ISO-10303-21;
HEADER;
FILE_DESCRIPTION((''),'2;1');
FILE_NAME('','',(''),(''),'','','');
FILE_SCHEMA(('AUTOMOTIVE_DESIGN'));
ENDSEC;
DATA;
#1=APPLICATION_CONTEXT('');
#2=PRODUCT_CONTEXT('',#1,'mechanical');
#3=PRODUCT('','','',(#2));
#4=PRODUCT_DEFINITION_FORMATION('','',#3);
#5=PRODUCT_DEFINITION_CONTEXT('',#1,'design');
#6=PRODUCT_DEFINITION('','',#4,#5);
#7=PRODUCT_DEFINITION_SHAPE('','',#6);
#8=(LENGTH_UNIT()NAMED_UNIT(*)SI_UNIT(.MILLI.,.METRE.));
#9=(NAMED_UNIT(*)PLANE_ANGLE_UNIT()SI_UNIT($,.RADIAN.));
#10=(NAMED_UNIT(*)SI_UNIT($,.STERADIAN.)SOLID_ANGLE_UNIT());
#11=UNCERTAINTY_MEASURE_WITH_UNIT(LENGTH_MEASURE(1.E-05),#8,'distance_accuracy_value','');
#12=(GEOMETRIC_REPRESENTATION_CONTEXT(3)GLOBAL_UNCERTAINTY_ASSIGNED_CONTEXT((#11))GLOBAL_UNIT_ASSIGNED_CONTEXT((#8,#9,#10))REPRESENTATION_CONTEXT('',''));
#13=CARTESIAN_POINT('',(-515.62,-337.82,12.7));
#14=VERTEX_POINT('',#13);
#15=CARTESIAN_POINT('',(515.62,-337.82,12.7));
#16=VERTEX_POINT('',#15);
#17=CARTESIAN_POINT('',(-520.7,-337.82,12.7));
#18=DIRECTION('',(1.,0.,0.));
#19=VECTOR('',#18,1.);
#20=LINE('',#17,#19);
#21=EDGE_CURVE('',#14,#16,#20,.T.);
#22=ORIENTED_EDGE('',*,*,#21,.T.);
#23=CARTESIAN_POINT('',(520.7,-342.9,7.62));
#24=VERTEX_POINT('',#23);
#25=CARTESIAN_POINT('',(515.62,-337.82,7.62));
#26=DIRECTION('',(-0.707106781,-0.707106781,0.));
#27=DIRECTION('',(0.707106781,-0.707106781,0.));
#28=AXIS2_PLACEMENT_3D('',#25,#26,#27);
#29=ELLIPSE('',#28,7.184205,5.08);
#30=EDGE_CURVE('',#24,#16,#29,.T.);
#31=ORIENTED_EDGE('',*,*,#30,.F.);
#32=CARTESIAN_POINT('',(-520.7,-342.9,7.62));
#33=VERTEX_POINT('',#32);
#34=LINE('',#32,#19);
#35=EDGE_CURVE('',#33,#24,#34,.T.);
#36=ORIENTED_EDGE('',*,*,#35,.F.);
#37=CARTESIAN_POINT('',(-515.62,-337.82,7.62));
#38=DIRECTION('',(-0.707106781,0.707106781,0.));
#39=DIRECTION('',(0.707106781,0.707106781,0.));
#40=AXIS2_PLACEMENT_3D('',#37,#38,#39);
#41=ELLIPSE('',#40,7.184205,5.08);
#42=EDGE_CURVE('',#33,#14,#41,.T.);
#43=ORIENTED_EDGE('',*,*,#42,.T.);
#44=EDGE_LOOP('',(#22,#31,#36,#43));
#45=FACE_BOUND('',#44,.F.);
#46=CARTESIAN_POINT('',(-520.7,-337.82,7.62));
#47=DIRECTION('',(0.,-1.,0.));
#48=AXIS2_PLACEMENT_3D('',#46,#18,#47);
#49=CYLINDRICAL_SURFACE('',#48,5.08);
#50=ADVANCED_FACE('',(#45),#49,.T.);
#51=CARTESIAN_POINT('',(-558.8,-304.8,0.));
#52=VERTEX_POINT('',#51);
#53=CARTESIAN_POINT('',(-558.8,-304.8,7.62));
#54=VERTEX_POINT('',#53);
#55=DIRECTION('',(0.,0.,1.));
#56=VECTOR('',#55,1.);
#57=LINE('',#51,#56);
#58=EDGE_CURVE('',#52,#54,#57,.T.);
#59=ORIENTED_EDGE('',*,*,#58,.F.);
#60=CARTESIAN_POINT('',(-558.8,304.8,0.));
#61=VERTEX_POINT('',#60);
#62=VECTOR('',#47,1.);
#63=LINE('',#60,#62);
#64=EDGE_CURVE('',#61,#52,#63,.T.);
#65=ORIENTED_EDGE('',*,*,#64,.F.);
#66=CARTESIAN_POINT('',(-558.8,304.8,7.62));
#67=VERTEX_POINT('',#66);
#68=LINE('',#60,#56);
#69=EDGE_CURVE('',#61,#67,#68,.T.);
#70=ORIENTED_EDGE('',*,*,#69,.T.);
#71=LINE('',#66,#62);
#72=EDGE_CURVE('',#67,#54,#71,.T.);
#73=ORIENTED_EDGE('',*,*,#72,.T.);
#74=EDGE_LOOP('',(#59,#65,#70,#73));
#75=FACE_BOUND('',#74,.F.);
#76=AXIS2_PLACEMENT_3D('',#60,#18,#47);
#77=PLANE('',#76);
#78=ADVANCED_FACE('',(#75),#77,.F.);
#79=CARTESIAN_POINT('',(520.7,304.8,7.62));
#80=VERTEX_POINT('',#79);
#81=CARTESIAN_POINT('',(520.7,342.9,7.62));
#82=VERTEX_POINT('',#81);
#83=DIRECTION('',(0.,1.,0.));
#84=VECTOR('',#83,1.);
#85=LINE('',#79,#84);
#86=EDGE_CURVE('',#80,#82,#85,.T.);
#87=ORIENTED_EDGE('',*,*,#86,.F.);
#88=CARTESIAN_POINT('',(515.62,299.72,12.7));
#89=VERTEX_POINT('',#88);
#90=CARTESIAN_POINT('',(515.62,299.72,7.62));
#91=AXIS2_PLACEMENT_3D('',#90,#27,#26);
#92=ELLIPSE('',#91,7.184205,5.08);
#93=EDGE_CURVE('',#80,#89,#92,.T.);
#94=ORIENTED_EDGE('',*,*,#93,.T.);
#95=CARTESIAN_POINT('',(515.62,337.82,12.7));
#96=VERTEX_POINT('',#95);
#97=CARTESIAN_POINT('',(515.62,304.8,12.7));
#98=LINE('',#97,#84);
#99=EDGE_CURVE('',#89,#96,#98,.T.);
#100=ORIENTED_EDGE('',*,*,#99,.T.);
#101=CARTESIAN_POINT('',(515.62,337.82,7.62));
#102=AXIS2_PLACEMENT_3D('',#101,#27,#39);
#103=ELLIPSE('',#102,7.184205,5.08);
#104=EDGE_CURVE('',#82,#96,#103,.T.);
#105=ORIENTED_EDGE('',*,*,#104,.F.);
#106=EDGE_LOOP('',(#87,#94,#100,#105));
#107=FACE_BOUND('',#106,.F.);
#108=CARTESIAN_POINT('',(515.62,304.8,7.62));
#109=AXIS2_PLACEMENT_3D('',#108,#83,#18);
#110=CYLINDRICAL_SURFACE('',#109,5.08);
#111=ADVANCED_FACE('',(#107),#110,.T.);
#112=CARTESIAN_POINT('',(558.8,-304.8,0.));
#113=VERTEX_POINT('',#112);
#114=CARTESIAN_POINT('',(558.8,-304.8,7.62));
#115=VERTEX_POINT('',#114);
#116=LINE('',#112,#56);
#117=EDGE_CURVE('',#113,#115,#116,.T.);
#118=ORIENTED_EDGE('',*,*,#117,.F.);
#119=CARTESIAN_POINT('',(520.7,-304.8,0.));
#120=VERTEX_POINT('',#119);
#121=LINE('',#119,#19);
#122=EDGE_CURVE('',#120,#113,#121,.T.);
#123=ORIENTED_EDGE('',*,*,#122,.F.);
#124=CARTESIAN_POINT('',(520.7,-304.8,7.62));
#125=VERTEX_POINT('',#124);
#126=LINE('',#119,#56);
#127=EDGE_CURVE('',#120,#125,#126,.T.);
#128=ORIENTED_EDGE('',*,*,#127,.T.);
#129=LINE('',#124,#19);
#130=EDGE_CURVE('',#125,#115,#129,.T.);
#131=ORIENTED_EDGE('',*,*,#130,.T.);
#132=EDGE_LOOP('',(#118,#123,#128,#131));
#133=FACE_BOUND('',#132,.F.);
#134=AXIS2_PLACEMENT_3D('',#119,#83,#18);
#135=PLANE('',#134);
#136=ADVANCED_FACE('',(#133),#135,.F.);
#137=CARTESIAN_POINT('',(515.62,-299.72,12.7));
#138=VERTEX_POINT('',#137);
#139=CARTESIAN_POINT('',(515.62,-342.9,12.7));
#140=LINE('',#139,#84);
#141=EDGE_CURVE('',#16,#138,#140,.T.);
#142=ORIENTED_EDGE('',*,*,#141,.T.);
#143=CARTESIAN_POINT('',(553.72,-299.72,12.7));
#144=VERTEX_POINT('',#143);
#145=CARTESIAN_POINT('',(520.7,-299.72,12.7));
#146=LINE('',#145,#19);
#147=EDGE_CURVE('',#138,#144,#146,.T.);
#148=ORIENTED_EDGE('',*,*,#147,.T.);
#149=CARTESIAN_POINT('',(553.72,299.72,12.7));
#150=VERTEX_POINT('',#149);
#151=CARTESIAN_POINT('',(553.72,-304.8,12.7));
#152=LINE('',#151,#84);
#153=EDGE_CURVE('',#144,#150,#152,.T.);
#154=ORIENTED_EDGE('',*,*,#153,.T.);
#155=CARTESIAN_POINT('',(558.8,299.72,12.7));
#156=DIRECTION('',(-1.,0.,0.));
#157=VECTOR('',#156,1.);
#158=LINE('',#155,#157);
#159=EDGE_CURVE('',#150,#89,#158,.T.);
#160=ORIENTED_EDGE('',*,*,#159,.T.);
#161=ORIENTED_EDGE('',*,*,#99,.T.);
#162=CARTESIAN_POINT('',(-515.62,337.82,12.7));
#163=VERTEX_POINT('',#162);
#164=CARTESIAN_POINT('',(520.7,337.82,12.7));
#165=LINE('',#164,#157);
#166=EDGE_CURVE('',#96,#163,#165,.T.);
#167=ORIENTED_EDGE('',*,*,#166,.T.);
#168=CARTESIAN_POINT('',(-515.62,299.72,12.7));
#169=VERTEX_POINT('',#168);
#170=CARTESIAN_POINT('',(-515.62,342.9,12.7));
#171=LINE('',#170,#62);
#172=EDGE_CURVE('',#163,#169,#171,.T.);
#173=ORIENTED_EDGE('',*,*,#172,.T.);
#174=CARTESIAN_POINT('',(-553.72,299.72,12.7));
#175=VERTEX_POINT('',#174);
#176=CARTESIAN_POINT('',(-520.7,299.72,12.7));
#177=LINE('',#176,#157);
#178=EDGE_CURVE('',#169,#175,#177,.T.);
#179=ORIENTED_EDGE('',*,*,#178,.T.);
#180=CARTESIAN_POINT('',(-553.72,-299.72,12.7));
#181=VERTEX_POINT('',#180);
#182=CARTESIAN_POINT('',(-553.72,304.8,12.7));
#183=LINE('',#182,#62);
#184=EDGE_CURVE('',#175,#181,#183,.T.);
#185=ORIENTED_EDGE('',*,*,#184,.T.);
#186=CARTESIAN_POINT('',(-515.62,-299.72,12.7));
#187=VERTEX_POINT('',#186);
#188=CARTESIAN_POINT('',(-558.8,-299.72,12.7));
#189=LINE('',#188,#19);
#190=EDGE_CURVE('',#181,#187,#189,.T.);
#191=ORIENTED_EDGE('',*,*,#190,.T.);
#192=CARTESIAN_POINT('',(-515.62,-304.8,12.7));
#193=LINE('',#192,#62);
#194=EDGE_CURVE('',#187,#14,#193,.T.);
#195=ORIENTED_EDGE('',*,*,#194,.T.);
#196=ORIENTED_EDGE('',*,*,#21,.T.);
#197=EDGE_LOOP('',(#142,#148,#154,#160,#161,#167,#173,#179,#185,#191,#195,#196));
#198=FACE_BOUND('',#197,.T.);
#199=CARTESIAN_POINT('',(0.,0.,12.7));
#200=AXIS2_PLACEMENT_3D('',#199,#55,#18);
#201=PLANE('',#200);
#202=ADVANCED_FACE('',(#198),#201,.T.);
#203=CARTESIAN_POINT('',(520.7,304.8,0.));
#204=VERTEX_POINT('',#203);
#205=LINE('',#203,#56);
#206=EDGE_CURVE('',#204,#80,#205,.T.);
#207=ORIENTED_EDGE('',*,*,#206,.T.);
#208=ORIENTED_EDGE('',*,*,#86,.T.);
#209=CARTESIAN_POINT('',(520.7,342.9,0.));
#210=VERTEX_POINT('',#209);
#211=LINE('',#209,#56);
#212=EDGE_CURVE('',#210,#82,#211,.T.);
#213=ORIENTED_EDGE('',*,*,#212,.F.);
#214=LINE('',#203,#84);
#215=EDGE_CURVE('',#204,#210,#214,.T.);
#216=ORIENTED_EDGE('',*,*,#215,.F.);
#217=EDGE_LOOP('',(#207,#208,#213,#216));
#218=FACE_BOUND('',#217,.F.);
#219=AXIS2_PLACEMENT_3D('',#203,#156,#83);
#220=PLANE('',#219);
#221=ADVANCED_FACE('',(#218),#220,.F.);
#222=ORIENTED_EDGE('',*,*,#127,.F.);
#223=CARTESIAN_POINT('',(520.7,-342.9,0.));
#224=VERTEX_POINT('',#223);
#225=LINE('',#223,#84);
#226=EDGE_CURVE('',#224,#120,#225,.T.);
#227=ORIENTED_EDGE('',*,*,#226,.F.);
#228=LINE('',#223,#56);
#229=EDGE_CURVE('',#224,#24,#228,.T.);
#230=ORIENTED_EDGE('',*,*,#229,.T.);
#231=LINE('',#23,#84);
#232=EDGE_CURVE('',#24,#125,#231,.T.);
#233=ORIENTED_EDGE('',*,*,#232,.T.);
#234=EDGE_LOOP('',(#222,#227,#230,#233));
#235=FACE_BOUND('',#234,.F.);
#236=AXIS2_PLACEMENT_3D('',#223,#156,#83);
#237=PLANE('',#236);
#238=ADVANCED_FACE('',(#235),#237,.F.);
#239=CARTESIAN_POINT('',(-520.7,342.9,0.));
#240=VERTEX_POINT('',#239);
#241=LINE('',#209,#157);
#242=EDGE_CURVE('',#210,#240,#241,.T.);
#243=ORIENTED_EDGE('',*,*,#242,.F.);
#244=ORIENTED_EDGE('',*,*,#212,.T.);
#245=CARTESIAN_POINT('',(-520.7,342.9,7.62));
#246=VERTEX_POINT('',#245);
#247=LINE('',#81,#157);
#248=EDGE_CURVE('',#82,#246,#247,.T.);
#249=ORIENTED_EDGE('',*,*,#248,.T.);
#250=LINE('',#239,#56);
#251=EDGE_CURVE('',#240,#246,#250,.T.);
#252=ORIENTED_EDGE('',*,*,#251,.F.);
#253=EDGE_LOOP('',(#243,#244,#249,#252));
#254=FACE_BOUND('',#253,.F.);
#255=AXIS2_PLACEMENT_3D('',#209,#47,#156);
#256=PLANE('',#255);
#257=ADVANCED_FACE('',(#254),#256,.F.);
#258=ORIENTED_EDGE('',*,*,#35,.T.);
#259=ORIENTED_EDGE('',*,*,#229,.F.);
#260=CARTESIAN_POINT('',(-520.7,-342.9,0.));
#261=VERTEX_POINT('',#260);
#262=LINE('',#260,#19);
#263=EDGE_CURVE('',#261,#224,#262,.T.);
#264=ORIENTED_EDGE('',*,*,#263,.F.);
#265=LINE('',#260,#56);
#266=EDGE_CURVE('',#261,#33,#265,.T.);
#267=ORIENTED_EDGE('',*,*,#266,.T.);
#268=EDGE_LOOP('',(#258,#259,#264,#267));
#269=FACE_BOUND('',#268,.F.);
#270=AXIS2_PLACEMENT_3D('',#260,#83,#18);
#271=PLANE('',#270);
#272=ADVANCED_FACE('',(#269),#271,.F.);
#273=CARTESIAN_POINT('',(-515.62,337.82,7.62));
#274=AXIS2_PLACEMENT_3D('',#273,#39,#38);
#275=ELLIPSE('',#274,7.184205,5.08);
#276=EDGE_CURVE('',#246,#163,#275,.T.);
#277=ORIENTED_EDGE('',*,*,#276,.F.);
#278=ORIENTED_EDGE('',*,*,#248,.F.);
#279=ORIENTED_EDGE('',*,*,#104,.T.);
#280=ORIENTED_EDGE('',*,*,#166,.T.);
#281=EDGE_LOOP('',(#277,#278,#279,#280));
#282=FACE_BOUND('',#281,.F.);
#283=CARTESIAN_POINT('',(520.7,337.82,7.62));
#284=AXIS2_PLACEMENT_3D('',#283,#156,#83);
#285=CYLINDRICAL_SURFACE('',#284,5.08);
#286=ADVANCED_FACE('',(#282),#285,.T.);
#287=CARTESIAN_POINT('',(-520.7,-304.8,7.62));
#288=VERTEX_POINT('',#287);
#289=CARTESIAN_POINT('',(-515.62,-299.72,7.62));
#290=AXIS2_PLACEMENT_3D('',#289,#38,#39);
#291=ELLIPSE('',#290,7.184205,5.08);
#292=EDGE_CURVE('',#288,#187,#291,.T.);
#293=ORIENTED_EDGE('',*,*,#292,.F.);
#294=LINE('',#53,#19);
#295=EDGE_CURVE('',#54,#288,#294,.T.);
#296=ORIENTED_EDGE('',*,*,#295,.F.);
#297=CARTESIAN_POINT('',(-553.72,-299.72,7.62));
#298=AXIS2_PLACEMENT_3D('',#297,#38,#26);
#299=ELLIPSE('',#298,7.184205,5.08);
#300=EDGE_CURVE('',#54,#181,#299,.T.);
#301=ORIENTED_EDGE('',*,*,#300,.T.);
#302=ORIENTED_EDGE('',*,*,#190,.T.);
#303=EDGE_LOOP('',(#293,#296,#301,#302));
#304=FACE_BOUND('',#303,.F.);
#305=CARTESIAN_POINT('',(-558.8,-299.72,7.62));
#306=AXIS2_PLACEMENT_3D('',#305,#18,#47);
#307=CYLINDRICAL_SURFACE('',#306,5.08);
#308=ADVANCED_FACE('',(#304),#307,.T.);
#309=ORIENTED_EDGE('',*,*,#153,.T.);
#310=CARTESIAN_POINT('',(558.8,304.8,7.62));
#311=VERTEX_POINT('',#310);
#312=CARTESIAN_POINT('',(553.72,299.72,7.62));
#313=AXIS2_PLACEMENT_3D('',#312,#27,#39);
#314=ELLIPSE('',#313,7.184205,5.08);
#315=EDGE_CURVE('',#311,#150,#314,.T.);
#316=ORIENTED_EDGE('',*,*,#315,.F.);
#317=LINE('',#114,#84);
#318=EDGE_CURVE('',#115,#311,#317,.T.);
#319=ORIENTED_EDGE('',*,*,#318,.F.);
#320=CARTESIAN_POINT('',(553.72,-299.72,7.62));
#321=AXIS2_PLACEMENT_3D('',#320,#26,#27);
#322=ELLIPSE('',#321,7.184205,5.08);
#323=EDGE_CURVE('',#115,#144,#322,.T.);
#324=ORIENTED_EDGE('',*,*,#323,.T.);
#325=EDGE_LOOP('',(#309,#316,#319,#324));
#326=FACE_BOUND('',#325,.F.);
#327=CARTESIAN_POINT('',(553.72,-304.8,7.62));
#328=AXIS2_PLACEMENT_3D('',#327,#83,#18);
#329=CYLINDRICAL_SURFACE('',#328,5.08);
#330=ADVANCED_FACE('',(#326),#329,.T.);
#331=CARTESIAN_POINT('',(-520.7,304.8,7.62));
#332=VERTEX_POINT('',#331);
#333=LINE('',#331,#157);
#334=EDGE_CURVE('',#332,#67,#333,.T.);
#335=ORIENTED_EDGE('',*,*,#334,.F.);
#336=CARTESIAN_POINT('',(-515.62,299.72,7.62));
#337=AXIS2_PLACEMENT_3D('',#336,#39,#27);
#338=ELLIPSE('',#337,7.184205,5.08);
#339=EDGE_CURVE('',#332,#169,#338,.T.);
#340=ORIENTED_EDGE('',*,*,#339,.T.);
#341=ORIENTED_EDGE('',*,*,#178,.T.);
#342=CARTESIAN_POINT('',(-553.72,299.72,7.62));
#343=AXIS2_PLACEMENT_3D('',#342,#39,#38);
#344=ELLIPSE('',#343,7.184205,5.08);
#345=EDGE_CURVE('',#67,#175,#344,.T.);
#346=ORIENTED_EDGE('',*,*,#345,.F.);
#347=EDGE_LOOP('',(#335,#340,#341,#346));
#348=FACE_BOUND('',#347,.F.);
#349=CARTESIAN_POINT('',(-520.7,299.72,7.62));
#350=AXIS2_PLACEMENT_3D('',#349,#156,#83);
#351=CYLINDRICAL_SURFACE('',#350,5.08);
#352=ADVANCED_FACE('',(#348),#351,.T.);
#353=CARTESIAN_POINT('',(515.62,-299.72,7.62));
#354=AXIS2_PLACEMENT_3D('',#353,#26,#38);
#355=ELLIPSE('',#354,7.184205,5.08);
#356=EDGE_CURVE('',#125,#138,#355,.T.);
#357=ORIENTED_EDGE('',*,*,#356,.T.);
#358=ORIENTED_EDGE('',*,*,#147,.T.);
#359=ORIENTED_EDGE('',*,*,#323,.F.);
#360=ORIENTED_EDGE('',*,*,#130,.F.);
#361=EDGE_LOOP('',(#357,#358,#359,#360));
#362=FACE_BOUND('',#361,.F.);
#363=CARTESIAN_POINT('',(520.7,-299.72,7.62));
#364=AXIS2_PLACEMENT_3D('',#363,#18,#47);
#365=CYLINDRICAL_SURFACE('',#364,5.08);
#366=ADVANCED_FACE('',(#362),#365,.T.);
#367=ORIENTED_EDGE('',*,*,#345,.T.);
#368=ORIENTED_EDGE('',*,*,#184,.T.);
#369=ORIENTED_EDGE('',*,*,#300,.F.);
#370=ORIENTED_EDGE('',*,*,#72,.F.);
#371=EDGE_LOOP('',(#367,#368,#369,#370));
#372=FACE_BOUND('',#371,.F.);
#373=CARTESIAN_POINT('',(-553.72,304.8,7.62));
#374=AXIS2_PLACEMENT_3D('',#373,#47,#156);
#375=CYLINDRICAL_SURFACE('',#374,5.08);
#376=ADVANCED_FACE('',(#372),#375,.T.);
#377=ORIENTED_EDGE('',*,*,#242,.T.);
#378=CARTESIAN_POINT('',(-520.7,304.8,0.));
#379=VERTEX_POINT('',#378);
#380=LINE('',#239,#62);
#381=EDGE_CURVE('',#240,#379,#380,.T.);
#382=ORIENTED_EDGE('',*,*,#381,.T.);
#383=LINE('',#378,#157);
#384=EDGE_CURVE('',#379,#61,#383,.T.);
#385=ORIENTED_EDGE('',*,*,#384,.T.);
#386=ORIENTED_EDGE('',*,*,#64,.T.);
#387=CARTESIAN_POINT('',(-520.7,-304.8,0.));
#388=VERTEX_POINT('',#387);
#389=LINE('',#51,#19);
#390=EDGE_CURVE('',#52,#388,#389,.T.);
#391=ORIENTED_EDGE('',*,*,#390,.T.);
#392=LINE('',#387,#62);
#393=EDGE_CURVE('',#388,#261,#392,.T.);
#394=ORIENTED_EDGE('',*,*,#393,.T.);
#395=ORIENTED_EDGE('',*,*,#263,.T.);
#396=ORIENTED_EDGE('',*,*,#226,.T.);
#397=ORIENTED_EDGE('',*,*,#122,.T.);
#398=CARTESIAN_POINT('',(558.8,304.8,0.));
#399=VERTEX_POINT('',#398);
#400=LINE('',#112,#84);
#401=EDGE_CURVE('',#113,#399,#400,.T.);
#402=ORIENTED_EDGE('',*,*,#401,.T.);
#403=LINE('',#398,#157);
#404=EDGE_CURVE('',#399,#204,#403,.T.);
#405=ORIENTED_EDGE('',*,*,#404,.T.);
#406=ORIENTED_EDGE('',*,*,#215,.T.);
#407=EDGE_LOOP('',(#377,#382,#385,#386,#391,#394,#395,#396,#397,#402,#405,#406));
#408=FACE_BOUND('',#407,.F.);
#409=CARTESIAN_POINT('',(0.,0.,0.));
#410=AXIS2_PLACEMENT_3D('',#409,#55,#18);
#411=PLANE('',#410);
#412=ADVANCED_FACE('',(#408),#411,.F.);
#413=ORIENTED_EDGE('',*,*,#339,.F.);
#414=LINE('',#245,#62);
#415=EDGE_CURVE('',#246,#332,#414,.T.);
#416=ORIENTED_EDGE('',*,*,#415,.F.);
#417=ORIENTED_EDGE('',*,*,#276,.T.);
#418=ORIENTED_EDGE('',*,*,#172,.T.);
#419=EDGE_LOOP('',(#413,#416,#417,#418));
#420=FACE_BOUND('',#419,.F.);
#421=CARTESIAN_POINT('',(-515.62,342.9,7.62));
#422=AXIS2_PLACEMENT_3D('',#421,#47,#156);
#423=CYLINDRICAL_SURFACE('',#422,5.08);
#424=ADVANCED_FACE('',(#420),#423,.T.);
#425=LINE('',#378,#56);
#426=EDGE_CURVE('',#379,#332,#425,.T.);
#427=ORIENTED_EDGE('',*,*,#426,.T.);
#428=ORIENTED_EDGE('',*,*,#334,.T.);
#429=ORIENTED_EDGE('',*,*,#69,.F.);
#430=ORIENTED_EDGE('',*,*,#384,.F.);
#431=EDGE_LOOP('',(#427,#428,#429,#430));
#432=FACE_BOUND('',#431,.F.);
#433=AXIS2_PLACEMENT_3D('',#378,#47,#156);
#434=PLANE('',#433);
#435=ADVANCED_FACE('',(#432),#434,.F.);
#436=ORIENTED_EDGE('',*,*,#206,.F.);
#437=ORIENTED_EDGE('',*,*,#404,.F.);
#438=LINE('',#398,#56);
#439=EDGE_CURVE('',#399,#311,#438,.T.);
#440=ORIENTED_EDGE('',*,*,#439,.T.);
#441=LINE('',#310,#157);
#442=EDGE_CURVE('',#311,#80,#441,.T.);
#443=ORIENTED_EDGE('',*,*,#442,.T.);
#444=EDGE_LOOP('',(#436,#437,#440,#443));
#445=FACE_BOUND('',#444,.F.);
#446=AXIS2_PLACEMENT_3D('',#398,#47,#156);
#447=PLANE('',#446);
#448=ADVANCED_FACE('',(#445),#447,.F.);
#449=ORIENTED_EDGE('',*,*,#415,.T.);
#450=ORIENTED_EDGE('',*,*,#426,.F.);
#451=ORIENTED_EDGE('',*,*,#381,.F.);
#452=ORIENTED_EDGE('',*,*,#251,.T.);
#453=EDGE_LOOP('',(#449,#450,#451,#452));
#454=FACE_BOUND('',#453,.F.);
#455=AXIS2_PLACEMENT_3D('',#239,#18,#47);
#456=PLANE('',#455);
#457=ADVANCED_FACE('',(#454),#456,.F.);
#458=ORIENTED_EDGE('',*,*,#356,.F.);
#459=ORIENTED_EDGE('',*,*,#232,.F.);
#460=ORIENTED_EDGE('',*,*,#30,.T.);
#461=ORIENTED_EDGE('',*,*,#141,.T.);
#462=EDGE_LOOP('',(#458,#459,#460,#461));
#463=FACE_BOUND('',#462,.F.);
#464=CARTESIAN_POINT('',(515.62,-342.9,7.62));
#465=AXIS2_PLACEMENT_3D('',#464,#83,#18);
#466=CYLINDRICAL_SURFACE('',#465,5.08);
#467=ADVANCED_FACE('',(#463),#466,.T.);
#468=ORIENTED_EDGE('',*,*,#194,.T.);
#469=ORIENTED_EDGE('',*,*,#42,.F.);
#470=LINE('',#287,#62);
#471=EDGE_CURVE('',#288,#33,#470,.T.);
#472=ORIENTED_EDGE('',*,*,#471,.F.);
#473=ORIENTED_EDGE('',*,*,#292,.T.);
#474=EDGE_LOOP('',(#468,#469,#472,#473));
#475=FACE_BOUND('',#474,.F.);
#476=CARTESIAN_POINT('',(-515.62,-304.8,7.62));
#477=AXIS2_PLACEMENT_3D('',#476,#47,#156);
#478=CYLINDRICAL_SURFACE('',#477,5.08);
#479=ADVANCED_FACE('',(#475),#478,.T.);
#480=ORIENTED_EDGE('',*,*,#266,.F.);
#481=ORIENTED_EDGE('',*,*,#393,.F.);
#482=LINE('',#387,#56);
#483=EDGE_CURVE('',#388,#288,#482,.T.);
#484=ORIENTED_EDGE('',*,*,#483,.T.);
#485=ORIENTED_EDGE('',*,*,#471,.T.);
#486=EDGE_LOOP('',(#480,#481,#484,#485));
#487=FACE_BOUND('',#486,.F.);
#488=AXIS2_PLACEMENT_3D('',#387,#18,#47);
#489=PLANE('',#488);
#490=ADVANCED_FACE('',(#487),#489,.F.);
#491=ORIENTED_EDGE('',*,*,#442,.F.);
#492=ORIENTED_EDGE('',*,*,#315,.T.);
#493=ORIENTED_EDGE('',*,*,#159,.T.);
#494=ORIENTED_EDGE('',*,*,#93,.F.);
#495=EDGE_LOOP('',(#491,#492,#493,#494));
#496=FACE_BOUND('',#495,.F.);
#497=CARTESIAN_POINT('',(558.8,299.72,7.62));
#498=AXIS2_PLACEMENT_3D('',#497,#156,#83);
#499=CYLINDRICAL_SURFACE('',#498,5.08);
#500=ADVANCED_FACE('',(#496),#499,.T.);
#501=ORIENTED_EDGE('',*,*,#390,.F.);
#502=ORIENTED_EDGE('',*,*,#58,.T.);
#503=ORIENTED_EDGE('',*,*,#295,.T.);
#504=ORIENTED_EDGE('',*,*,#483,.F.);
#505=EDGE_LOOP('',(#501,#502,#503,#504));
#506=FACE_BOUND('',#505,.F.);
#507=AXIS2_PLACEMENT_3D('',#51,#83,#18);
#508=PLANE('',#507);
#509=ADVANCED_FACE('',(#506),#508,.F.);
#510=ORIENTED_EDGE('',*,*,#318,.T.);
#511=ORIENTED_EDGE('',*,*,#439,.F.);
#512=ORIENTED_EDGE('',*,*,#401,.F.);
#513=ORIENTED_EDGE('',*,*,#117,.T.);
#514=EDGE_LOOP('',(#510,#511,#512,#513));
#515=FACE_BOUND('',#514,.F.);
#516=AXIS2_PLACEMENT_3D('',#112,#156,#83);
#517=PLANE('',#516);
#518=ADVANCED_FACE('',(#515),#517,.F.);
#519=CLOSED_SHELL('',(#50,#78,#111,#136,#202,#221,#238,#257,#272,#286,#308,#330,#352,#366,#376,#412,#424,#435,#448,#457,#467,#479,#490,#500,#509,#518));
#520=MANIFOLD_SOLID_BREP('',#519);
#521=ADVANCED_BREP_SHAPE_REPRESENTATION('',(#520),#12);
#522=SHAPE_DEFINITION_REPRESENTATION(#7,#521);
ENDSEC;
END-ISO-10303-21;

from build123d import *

# Parameters (mm, degrees)
F1_DEPTH = 12.7
F2_R     = 5.08


with BuildPart() as f1:
    # F0 (on Top) → F1 (new body)
    with BuildSketch(Plane.XY):
        Polygon((-520.7, -342.9), (520.7, -342.9), (520.7, -304.8), (558.8, -304.8), (558.8, 304.8), (520.7, 304.8), (520.7, 342.9), (-520.7, 342.9), (-520.7, 304.8), (-558.8, 304.8), (-558.8, -304.8), (-520.7, -304.8), align=None)
    extrude(amount=F1_DEPTH)

    # F2
    f2_edges = [f1.edges().sort_by_distance(p)[0] for p in [
        (0, -342.9, 12.7),
        (520.7, -323.85, 12.7),
        (539.75, -304.8, 12.7),
        (558.8, 0, 12.7),
        (539.75, 304.8, 12.7),
        (520.7, 323.85, 12.7),
        (0, 342.9, 12.7),
        (-520.7, 323.85, 12.7),
        (-539.75, 304.8, 12.7),
        (-558.8, 0, 12.7),
        (-539.75, -304.8, 12.7),
        (-520.7, -323.85, 12.7),
    ]]
    fillet(f2_edges, radius=F2_R)


solid = f1.part
